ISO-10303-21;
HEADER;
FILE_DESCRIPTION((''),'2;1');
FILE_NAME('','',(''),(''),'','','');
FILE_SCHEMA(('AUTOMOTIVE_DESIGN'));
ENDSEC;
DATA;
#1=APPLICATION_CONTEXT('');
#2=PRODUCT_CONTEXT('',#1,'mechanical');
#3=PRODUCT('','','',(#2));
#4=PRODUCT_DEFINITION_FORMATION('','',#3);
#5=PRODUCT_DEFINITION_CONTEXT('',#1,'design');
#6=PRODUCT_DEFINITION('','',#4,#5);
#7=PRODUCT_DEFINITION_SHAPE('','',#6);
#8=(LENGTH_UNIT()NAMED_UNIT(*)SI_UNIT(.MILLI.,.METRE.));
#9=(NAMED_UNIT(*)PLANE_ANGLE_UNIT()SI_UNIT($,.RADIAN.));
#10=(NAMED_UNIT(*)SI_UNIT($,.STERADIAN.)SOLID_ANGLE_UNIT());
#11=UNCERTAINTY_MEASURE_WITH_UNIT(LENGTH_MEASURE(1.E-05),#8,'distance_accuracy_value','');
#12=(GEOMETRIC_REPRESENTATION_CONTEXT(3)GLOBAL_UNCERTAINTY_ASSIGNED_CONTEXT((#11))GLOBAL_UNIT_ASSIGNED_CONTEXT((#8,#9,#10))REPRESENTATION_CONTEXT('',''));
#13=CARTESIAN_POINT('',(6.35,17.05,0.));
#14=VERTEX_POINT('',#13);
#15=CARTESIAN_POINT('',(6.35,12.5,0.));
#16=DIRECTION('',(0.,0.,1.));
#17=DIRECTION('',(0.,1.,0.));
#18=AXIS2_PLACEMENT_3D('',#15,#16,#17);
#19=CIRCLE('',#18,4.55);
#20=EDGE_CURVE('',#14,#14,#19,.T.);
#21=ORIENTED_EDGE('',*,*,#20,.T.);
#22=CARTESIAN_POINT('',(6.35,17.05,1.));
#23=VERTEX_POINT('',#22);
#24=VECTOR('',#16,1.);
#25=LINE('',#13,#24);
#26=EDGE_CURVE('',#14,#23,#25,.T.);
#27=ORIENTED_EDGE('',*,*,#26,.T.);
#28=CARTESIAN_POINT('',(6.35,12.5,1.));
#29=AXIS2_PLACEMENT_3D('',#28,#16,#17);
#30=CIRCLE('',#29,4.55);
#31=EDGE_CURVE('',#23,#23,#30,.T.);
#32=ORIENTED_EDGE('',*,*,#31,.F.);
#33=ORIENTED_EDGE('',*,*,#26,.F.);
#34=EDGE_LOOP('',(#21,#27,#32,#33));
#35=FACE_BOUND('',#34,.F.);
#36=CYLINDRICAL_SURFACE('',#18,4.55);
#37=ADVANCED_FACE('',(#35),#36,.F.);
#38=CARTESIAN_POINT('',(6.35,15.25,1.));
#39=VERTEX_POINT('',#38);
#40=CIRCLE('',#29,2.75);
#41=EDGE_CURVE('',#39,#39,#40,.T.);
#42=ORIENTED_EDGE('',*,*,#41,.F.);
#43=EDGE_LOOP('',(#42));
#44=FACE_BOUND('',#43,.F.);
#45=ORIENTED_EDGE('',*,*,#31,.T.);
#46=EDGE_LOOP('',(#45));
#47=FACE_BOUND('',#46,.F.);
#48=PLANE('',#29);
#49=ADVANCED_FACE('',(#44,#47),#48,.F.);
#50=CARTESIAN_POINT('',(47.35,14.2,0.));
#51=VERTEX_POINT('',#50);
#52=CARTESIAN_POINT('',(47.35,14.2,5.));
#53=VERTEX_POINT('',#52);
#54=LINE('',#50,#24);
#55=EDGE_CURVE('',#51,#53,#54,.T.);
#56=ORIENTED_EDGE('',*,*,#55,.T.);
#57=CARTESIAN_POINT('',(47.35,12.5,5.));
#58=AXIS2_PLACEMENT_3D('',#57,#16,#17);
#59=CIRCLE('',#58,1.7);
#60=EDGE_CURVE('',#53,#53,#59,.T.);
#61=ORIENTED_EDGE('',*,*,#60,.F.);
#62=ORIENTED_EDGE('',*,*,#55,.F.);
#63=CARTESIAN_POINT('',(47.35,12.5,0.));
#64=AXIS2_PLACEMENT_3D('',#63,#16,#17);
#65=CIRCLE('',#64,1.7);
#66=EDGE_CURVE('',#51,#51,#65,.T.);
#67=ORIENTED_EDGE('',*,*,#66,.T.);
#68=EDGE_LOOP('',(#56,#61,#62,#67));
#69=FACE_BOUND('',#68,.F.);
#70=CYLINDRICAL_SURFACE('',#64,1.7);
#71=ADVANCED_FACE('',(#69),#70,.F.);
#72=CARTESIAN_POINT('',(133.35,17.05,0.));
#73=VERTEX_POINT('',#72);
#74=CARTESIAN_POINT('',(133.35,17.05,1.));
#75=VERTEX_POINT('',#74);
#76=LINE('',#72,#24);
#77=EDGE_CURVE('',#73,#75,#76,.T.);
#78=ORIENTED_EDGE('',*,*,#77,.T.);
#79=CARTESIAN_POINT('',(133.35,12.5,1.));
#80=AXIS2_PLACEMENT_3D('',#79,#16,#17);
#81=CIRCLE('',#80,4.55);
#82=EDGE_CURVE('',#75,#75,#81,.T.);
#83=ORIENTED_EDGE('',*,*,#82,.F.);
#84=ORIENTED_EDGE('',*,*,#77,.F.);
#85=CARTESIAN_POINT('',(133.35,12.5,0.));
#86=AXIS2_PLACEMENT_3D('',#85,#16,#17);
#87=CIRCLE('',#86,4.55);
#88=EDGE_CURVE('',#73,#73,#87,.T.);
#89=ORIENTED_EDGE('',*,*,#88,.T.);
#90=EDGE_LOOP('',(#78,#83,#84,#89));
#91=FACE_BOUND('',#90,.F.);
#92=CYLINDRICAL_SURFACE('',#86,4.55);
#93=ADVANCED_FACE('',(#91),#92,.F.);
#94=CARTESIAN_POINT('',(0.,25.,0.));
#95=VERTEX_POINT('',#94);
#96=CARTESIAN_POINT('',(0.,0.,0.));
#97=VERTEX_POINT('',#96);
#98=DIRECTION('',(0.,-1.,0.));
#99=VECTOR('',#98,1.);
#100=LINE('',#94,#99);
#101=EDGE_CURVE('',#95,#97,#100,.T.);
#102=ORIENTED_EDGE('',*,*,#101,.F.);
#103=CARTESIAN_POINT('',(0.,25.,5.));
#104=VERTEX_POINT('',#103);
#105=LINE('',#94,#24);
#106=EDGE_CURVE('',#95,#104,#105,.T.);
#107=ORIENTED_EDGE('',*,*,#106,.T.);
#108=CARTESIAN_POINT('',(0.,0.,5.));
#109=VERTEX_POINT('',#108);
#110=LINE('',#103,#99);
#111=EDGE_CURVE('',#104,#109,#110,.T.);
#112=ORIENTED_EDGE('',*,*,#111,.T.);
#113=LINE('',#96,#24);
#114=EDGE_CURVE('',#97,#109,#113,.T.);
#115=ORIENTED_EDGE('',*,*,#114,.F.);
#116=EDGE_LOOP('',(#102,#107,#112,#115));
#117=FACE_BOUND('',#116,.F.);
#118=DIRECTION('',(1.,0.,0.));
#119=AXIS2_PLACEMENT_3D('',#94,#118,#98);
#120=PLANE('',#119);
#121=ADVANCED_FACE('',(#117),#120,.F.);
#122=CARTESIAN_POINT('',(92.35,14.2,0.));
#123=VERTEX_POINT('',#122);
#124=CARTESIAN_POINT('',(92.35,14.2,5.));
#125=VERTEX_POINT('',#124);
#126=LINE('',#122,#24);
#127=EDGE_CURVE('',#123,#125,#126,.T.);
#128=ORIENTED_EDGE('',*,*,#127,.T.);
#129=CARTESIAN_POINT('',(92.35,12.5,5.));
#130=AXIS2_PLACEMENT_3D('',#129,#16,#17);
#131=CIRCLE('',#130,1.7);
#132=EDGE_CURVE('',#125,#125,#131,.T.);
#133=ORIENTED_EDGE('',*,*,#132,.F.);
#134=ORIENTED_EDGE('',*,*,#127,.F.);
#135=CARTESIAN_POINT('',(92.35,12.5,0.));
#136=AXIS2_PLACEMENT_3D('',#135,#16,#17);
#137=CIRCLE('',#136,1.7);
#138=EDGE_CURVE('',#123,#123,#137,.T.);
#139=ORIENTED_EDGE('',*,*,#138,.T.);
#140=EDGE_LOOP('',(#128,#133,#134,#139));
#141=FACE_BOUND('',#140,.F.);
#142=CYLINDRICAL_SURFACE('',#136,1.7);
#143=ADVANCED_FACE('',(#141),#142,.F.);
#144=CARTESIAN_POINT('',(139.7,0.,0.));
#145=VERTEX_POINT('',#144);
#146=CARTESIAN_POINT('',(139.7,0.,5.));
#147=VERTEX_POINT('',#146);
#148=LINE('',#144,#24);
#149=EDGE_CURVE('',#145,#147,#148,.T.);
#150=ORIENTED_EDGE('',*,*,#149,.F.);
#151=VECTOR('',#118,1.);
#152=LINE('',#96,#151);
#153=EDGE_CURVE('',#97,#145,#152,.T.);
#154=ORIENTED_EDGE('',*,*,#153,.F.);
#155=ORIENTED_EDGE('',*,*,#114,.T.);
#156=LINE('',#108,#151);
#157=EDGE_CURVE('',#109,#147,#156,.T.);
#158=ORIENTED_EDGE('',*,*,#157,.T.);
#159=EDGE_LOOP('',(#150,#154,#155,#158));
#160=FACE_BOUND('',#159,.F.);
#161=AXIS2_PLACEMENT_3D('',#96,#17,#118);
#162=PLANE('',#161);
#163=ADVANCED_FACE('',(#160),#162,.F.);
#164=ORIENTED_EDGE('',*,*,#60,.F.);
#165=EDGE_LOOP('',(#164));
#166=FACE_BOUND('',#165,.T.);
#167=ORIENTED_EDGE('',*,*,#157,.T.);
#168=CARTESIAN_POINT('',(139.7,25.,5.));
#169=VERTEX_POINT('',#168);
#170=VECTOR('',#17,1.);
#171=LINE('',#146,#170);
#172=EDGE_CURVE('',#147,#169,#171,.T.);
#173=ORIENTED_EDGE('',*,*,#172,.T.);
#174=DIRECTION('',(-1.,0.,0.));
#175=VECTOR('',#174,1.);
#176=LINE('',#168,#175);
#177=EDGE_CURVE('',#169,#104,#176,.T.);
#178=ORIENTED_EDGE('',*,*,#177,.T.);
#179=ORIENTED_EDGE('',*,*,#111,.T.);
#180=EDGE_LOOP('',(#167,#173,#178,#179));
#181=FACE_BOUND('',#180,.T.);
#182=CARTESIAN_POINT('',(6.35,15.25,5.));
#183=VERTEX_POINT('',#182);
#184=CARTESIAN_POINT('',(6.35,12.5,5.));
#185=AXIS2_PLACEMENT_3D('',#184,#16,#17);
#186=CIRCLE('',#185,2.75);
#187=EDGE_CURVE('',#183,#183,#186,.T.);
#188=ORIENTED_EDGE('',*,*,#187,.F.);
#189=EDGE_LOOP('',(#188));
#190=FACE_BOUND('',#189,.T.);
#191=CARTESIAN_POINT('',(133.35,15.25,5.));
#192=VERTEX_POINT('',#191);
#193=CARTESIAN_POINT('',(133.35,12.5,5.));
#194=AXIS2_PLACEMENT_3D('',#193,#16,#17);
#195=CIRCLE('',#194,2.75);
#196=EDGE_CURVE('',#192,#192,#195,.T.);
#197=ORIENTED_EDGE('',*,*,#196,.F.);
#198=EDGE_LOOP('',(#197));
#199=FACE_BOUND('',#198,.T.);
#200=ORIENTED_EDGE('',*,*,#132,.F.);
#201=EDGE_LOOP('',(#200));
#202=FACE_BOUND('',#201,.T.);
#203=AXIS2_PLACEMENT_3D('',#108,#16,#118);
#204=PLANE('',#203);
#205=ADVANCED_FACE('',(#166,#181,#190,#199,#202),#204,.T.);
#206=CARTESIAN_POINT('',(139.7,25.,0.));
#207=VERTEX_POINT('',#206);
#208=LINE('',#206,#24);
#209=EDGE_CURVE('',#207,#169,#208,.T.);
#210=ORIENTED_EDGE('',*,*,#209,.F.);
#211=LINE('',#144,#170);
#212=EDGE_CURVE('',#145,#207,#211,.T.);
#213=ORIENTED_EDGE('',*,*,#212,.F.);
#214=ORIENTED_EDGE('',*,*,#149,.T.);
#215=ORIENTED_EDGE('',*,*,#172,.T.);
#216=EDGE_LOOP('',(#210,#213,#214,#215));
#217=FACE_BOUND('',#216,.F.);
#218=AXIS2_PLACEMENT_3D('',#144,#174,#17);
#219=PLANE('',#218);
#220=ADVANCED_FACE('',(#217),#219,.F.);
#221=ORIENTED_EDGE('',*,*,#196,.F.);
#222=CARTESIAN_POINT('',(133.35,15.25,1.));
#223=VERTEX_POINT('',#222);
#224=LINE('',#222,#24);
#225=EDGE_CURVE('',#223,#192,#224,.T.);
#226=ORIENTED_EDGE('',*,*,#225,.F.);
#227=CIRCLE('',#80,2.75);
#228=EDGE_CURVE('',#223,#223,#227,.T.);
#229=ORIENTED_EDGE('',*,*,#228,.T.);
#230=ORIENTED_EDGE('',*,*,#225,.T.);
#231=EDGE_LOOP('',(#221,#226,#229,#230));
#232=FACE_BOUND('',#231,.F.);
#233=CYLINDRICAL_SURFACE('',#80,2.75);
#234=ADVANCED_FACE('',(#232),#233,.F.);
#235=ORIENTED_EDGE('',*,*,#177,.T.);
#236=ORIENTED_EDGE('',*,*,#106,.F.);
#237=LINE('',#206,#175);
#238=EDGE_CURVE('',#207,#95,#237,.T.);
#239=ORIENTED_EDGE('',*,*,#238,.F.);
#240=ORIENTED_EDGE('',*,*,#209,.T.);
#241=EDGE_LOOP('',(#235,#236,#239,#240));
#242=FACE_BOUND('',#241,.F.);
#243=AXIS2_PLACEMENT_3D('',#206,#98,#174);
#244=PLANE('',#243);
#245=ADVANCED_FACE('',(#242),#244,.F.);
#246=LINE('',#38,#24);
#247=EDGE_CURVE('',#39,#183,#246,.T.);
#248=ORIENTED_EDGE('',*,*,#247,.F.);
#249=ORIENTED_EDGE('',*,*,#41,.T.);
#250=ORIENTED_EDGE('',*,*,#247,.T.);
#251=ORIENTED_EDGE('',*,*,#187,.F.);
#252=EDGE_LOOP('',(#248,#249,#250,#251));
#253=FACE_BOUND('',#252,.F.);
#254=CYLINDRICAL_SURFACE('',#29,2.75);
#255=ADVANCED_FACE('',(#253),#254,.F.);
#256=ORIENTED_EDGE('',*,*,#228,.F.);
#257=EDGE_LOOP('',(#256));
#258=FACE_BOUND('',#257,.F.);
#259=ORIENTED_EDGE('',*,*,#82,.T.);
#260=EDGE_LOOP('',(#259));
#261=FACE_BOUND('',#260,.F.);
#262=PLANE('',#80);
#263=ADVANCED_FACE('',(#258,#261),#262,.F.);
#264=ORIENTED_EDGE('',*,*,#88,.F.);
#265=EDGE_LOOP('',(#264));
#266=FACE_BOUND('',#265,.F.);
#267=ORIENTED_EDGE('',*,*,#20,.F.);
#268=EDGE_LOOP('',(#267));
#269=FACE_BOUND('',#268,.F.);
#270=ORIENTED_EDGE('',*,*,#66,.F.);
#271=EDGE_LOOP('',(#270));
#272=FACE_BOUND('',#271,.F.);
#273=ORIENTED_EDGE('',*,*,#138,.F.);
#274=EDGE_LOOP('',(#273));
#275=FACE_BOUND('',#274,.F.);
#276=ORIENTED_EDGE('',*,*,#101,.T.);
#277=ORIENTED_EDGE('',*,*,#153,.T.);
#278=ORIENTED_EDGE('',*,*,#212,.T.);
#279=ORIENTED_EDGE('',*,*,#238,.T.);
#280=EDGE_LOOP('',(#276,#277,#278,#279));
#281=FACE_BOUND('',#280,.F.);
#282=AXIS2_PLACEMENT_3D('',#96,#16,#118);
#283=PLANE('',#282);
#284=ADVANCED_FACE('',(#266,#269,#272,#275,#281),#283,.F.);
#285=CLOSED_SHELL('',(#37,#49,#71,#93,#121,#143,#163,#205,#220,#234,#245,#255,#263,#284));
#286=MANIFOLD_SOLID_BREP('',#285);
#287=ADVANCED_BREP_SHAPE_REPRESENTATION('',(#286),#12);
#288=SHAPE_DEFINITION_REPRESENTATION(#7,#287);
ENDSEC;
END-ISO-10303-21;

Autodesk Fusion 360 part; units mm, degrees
sketch "Sketch1" plane through (0, 0, 0) normal (0, 0, 1) x (1, 0, 0)
  line L0 (0, 0) -> (139.7, 0)
  line L1 (139.7, 0) -> (139.7, 25)
  line L2 (139.7, 25) -> (0, 25)
  line L3 (0, 25) -> (0, 0)
  dimension "d1" = 139.7
  dimension "d2" = 25
extrude "Extrude1" add sketch "Sketch1" along normal blind 5
sketch "Sketch2" plane through (0, 0, 0) normal (0, 0, 1) x (1, 0, 0)
  point P0 (6.35, 12.5)
  point P1 (133.35, 12.5)
hole "Hole1" at (6.35, 12.5, 0) at (133.35, 12.5, 0) direction (0, 0, 1) diameter 5.5 depth 13 tip angle 118 counterbore diameter 9.1 counterbore depth 1
sketch "Sketch4" plane through (0, 0, 0) normal (0, 0, -1) x (1, 0, 0)
  circle A0 centre (6.35, -12.5) radius 4.55
  circle A1 centre (133.35, -12.5) radius 4.55
  line L0 (0, 0) -> (0, -25)
  line L1 (0, -25) -> (139.7, -25)
  line L2 (139.7, -25) -> (139.7, 0)
  line L3 (139.7, 0) -> (0, 0)
  point P0 (47.35, -12.5)
  point P1 (92.35, -12.5)
hole "Hole3" at (92.35, 12.5, 0) at (47.35, 12.5, 0) direction (0, 0, 1) diameter 3.4 depth 13 tip angle 118
